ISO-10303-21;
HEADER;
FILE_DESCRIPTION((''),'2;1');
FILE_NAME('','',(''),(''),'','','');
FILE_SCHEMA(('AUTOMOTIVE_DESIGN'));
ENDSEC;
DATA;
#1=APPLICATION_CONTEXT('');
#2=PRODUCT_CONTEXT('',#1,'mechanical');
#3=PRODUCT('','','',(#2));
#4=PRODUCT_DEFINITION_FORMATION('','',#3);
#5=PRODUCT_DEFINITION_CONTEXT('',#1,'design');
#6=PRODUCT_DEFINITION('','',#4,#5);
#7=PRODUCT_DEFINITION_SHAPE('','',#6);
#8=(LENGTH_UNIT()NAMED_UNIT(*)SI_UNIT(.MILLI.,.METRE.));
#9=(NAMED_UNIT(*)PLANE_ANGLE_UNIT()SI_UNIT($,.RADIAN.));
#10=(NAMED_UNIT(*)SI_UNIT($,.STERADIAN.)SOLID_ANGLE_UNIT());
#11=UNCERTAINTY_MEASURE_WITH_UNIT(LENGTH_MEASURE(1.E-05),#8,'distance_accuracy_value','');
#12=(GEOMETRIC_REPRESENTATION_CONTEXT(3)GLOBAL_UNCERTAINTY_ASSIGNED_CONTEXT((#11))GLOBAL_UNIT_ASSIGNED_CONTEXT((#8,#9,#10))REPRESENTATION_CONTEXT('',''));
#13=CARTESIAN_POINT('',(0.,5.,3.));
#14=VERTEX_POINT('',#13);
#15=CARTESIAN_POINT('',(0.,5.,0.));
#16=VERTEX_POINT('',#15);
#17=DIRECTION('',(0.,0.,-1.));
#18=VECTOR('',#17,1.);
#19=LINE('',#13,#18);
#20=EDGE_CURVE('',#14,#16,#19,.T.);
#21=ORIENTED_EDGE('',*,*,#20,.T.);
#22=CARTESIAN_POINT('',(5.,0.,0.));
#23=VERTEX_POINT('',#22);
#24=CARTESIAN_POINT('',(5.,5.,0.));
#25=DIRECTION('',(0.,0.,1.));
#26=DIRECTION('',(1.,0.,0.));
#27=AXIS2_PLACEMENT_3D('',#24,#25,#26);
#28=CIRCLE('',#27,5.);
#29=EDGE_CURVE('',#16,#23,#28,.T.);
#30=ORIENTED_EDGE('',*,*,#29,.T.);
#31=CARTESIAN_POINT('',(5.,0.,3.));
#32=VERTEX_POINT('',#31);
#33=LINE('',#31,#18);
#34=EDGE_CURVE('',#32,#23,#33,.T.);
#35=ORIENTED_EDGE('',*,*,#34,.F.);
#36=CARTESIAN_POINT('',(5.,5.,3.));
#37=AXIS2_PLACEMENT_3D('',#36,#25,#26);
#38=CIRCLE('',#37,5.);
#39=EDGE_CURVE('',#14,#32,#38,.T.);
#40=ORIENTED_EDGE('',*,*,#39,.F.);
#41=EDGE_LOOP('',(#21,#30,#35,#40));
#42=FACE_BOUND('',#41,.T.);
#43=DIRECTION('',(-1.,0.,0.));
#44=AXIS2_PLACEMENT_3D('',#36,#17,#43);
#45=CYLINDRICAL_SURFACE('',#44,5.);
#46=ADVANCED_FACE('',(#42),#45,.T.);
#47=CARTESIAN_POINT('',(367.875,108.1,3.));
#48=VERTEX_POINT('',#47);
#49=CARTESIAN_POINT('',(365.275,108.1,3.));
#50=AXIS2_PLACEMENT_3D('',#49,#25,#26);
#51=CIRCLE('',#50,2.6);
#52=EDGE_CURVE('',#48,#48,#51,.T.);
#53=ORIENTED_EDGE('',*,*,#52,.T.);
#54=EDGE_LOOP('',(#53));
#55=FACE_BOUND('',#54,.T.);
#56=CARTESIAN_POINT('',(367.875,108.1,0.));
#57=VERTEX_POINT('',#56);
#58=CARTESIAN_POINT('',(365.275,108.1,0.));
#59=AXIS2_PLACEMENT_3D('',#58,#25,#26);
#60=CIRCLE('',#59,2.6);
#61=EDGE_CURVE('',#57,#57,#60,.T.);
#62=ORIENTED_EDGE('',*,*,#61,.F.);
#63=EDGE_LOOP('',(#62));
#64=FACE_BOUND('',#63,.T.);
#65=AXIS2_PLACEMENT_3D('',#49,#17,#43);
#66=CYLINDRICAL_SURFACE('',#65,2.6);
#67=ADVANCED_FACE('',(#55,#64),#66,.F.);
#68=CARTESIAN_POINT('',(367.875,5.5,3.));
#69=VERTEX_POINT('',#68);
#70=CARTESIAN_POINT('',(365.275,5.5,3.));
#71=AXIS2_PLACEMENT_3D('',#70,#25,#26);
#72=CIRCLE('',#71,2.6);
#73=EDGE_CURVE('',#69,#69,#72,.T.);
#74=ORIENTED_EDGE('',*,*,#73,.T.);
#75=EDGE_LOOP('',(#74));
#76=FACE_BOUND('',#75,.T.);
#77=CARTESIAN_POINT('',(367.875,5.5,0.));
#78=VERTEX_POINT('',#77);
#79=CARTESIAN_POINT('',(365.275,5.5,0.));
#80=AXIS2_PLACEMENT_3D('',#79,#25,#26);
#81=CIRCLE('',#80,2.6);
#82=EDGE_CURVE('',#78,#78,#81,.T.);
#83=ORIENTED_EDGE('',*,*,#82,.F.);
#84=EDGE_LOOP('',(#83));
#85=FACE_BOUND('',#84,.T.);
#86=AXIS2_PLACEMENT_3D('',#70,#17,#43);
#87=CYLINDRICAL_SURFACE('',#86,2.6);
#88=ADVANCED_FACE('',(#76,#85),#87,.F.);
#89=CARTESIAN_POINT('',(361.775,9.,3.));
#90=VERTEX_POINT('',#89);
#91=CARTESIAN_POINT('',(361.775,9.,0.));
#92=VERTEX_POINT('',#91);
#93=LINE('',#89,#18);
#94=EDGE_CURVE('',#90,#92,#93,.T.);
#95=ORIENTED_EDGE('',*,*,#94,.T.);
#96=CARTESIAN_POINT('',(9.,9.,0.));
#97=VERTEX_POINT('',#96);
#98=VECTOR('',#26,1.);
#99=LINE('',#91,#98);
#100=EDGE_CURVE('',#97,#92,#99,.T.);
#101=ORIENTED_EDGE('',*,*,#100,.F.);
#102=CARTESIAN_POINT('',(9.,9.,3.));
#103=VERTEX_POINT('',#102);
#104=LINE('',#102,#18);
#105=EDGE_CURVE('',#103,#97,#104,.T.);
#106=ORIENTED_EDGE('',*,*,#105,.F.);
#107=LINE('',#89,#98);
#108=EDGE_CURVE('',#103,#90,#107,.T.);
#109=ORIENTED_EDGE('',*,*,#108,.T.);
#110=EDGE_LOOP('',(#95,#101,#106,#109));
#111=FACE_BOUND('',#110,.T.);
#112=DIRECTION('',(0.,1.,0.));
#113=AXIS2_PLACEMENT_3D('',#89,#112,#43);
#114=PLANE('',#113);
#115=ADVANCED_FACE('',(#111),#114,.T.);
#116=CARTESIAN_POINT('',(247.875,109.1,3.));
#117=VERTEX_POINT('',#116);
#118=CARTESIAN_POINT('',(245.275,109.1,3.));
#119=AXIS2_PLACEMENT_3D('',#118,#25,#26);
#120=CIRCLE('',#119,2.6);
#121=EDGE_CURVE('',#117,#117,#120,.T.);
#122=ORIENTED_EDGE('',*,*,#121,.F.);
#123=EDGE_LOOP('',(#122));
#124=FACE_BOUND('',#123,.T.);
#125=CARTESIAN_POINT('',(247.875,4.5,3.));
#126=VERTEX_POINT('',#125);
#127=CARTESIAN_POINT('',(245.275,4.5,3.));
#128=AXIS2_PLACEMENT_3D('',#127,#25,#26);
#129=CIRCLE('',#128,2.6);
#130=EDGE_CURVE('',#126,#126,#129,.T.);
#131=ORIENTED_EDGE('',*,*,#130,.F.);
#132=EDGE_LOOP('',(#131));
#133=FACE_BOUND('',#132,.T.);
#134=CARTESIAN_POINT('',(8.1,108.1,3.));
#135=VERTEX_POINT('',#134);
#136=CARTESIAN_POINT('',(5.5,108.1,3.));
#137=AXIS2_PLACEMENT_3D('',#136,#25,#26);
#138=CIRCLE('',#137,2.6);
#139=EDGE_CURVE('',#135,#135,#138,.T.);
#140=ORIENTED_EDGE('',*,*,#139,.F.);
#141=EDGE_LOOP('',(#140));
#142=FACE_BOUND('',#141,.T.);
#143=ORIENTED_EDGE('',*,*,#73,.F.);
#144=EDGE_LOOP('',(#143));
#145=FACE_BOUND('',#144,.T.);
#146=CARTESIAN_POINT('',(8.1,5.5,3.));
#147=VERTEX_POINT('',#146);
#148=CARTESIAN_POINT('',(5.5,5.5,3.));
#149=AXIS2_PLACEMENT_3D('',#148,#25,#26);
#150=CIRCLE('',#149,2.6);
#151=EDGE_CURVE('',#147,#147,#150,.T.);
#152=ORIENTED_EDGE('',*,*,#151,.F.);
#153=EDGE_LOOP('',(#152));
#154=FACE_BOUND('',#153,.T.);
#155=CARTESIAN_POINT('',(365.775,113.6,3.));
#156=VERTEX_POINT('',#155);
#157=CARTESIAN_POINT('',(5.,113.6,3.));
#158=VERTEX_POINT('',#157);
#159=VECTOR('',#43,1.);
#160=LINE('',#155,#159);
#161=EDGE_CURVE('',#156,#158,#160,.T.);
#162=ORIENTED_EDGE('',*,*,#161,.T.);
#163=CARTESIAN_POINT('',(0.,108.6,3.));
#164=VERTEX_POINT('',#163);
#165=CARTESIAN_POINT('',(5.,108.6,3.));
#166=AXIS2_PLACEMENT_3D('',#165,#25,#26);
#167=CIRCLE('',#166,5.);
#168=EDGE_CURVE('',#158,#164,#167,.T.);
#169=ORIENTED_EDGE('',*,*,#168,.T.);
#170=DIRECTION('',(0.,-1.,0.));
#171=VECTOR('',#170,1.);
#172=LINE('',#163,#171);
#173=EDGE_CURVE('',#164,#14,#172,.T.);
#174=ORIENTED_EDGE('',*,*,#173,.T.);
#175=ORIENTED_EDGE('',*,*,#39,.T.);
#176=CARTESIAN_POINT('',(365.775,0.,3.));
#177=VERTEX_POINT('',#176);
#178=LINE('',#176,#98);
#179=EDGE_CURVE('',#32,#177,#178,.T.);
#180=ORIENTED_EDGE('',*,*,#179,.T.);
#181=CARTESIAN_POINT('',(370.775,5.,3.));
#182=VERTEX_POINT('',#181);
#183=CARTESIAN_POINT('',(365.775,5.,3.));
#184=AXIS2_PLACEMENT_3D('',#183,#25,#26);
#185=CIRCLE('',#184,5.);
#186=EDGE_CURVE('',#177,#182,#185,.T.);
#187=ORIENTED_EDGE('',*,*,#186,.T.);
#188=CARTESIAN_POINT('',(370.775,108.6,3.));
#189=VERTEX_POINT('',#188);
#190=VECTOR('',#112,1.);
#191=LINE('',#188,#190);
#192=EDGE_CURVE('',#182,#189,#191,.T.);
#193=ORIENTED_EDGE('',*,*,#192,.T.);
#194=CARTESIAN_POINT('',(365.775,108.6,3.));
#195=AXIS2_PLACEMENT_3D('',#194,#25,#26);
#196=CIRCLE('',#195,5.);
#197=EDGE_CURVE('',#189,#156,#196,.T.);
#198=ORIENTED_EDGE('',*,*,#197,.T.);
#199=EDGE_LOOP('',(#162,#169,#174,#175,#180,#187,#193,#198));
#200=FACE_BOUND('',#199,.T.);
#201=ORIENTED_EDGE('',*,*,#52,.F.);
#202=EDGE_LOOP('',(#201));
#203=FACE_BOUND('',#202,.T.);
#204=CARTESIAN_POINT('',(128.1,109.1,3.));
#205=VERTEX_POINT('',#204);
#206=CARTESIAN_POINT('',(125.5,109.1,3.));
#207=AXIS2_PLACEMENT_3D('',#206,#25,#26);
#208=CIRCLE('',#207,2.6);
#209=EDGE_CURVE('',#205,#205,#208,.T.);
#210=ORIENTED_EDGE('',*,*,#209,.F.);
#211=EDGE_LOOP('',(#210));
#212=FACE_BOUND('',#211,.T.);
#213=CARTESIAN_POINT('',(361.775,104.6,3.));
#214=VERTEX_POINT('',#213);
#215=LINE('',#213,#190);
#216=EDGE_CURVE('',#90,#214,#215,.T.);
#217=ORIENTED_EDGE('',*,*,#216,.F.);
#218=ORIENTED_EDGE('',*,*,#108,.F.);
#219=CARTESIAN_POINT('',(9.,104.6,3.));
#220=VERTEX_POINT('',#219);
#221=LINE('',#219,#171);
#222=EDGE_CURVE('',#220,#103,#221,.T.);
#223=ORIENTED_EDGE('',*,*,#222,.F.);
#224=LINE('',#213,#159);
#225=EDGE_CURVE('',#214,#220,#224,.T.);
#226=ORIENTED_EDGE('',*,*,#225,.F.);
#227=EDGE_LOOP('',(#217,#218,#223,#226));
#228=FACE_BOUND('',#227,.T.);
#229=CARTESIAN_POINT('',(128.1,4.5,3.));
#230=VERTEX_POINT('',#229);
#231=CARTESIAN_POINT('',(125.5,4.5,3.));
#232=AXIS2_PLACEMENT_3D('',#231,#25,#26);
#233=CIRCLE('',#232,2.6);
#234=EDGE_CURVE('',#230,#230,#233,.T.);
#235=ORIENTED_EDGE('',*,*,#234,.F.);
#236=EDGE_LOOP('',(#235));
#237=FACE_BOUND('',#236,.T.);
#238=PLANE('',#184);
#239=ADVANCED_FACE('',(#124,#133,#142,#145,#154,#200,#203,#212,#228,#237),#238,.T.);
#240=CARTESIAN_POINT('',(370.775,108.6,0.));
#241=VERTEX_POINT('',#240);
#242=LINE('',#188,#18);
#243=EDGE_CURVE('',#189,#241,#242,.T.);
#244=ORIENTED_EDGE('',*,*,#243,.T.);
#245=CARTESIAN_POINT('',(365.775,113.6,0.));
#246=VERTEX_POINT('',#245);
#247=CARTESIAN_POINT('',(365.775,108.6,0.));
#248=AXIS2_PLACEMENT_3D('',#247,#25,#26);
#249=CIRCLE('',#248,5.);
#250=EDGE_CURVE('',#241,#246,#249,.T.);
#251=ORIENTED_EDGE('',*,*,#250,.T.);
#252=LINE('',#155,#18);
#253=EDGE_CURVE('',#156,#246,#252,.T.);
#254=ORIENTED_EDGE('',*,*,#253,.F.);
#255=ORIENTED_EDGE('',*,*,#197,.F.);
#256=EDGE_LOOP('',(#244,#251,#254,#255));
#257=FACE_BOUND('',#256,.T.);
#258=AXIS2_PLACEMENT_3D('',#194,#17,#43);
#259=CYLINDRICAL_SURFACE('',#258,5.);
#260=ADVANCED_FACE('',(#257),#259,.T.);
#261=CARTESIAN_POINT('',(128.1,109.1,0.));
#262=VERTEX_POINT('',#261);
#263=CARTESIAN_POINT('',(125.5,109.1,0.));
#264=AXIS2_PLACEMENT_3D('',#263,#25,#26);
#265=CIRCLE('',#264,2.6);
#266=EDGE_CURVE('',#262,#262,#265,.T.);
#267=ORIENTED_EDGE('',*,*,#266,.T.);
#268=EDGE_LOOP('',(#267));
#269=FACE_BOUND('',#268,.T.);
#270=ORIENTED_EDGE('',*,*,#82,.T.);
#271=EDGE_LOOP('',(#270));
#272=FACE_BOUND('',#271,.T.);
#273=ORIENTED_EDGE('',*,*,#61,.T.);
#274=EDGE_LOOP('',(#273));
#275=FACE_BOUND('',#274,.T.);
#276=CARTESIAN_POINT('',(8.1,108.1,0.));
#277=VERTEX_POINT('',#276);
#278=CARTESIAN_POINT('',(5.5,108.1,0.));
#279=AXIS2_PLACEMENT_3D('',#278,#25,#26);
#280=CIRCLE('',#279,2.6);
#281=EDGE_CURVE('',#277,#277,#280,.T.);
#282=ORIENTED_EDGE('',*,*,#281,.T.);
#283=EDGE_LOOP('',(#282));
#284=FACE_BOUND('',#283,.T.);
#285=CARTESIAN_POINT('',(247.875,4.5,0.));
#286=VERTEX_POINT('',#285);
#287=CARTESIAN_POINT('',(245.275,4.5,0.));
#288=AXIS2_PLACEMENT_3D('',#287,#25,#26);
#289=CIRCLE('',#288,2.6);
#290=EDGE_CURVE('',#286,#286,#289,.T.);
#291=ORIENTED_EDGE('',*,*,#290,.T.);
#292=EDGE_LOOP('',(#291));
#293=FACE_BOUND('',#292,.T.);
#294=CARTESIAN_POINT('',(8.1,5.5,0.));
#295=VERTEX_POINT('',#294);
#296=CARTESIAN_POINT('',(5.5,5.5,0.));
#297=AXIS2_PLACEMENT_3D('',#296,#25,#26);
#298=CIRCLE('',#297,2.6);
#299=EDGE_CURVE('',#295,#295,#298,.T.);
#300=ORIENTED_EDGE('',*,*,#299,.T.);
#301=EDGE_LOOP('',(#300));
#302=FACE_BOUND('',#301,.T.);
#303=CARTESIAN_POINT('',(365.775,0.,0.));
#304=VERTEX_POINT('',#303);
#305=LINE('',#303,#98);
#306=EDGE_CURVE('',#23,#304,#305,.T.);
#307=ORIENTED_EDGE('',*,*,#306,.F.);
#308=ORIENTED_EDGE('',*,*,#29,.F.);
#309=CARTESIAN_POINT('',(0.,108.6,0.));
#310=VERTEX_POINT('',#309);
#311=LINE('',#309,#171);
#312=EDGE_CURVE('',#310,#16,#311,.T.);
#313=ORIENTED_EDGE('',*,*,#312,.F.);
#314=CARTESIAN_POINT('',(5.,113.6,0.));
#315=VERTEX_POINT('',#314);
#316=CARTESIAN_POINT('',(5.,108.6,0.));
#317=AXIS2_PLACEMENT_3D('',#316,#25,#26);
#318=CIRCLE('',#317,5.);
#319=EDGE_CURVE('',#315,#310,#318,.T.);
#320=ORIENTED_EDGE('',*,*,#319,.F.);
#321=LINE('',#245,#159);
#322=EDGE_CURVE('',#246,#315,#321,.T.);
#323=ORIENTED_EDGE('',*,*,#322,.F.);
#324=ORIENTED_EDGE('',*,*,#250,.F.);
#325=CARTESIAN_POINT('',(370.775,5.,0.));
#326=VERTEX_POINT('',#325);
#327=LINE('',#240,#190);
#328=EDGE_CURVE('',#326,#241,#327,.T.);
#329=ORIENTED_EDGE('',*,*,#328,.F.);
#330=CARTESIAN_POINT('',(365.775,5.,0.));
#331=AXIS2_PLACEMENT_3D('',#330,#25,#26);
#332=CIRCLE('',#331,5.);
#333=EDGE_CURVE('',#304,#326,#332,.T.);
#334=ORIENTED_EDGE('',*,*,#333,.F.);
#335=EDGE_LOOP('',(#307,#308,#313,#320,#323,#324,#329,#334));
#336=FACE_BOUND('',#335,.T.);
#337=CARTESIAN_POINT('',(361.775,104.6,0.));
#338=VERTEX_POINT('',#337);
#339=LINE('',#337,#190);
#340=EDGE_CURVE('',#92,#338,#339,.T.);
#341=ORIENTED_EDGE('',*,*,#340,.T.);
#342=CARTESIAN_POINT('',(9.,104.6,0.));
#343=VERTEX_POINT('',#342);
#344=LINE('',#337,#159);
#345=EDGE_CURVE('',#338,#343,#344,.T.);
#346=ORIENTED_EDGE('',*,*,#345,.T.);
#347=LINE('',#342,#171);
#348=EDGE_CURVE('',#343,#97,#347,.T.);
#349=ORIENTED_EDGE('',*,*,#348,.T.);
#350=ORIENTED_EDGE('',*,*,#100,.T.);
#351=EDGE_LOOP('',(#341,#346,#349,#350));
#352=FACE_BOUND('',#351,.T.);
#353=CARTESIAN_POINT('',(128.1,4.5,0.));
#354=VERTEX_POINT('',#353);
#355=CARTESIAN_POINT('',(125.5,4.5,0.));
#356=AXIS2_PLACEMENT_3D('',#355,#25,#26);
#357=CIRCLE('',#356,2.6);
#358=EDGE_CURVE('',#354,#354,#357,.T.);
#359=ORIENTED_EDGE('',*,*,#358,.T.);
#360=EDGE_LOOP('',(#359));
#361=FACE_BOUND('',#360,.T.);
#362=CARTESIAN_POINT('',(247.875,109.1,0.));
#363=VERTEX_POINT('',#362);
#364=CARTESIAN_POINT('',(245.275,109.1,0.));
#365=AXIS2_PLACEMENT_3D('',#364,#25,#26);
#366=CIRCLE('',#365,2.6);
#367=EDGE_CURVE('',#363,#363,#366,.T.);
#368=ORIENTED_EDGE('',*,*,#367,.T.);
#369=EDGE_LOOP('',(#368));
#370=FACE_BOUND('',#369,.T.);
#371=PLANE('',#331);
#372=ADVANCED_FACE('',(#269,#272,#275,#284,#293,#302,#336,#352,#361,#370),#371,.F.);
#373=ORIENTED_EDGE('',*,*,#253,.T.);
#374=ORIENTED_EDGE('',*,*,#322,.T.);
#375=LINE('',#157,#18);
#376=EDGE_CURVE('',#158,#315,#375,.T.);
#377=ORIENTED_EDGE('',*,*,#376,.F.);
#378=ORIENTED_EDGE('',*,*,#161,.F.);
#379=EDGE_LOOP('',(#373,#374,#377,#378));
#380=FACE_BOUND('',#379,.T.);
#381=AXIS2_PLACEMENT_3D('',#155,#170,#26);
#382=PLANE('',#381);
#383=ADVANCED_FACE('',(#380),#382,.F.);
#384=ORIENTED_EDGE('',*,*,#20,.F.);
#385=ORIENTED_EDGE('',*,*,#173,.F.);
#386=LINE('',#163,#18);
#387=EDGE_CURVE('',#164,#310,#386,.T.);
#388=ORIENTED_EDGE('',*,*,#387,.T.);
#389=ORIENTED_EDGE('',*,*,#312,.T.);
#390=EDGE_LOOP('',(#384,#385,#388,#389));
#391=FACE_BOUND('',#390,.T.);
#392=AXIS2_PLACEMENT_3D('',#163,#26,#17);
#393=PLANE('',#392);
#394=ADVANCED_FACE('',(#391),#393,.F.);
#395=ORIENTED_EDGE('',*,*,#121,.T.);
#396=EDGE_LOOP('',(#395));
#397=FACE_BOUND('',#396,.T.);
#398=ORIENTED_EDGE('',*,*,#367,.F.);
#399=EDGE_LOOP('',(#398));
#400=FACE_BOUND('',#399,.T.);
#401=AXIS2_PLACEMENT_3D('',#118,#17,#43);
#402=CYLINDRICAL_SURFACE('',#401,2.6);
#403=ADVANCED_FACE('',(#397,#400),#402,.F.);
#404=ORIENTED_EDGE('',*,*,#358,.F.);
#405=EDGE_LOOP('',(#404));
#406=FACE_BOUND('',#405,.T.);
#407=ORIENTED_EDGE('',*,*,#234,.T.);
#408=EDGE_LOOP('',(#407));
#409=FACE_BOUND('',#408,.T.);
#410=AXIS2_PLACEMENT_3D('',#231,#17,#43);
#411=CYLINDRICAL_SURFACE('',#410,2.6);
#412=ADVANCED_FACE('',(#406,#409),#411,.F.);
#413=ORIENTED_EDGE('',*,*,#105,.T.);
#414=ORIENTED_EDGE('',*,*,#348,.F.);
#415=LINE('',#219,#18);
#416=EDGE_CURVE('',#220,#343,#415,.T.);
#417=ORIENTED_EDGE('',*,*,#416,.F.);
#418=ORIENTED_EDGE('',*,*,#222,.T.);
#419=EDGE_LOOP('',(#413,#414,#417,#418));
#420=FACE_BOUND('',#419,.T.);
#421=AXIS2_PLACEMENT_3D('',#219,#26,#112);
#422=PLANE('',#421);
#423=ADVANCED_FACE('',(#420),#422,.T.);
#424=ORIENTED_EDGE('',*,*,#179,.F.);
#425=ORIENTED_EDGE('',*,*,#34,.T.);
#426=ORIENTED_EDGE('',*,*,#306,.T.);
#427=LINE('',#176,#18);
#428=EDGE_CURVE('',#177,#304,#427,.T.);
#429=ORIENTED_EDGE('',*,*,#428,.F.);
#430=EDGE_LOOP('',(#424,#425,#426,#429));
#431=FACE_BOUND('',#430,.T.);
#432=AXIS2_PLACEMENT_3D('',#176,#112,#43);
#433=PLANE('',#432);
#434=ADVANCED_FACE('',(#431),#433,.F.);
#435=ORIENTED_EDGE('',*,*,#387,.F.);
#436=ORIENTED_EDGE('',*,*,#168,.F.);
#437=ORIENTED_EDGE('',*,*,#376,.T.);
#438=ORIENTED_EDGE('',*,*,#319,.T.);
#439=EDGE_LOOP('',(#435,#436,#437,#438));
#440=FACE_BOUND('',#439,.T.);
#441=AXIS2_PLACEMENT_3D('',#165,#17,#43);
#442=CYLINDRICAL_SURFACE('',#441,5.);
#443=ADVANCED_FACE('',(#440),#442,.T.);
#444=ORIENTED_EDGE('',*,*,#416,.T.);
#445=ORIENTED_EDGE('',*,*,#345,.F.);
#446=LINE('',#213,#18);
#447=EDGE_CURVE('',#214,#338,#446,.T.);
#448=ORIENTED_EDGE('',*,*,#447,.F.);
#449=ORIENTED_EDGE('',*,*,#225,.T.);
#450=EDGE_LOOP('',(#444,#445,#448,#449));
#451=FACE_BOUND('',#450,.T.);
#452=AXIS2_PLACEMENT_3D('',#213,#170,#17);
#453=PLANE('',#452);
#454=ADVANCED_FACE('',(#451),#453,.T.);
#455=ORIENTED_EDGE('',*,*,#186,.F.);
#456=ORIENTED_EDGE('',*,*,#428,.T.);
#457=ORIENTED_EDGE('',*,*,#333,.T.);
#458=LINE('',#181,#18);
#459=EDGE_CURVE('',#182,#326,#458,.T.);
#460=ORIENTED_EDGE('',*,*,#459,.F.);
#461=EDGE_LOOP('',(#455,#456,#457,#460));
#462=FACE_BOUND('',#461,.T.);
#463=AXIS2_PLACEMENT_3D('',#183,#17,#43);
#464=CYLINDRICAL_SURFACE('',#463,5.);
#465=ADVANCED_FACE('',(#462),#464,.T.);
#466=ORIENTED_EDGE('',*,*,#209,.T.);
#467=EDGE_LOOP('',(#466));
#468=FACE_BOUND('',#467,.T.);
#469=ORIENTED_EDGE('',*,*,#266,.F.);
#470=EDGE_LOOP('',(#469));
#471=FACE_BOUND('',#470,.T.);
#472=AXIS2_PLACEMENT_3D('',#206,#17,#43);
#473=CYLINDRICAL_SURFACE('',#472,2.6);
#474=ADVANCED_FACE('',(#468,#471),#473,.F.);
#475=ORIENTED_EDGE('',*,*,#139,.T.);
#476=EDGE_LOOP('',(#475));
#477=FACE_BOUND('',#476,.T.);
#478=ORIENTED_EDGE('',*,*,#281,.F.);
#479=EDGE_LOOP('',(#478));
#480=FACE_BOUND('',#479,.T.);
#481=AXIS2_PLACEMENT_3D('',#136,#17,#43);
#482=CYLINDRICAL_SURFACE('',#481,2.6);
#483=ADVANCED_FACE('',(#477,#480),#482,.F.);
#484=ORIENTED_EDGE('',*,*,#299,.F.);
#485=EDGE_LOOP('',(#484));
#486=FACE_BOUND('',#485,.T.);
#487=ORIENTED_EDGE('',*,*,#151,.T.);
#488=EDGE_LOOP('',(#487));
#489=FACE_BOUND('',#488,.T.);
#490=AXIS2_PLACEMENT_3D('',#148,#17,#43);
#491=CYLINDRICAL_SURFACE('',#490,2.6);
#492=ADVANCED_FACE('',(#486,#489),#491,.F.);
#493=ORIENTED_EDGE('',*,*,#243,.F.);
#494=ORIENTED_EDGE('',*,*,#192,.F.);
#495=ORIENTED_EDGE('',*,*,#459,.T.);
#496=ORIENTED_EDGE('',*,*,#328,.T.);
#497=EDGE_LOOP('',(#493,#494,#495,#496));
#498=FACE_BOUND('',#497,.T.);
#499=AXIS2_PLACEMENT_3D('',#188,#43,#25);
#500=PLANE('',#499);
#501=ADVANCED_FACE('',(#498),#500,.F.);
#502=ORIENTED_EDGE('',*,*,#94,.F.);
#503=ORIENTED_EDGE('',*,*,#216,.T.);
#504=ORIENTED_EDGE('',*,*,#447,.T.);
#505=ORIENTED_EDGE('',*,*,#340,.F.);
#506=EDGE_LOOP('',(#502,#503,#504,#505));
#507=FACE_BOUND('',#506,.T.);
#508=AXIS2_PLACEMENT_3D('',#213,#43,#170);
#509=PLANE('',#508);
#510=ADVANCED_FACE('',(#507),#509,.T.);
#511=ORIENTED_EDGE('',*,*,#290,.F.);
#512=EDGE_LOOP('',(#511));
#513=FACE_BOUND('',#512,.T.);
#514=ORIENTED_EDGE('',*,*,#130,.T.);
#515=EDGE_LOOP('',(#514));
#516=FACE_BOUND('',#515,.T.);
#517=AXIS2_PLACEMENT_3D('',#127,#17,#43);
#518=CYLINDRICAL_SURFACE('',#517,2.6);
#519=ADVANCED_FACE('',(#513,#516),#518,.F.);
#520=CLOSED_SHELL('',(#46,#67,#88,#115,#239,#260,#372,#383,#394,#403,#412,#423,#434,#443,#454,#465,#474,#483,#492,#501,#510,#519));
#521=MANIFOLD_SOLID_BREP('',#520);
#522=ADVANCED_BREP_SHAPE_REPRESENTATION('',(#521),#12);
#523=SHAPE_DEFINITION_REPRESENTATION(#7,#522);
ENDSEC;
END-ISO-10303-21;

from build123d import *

# Parameters (mm, degrees)
MODEL_R             = 2.6
MODEL_W             = 352.775
MODEL_H             = 95.6
BOSS_EXTRUDE1_DEPTH = 3


with BuildPart() as part:
    # Model → Boss-Extrude1 (new body)
    with BuildSketch(Plane.XY):
        with BuildLine():
            Line((0, 108.6), (0, 5))
            ThreePointArc((0, 5), (1.464466094, 1.464466094), (5, 0))
            Line((5, 0), (365.775, 0))
            ThreePointArc((365.775, 0), (369.310533906, 1.464466094), (370.775, 5))
            Line((370.775, 5), (370.775, 108.6))
            ThreePointArc((370.775, 108.6), (369.310533906, 112.135533906), (365.775, 113.6))
            Line((365.775, 113.6), (5, 113.6))
            ThreePointArc((5, 113.6), (1.464466094, 112.135533906), (0, 108.6))
        make_face()
        with Locations((5.5, 108.1)):
            Circle(MODEL_R, mode=Mode.SUBTRACT)
        with Locations((5.5, 5.5)):
            Circle(MODEL_R, mode=Mode.SUBTRACT)
        with Locations((365.275, 5.5)):
            Circle(MODEL_R, mode=Mode.SUBTRACT)
        with Locations((365.275, 108.1)):
            Circle(MODEL_R, mode=Mode.SUBTRACT)
        with Locations((125.5, 4.5)):
            Circle(MODEL_R, mode=Mode.SUBTRACT)
        with Locations((245.275, 4.5)):
            Circle(MODEL_R, mode=Mode.SUBTRACT)
        with Locations((125.5, 109.1)):
            Circle(MODEL_R, mode=Mode.SUBTRACT)
        with Locations((245.275, 109.1)):
            Circle(MODEL_R, mode=Mode.SUBTRACT)
        with Locations((185.3875, 56.8)):
            Rectangle(MODEL_W, MODEL_H, mode=Mode.SUBTRACT)
    extrude(amount=BOSS_EXTRUDE1_DEPTH)


solid = part.part
